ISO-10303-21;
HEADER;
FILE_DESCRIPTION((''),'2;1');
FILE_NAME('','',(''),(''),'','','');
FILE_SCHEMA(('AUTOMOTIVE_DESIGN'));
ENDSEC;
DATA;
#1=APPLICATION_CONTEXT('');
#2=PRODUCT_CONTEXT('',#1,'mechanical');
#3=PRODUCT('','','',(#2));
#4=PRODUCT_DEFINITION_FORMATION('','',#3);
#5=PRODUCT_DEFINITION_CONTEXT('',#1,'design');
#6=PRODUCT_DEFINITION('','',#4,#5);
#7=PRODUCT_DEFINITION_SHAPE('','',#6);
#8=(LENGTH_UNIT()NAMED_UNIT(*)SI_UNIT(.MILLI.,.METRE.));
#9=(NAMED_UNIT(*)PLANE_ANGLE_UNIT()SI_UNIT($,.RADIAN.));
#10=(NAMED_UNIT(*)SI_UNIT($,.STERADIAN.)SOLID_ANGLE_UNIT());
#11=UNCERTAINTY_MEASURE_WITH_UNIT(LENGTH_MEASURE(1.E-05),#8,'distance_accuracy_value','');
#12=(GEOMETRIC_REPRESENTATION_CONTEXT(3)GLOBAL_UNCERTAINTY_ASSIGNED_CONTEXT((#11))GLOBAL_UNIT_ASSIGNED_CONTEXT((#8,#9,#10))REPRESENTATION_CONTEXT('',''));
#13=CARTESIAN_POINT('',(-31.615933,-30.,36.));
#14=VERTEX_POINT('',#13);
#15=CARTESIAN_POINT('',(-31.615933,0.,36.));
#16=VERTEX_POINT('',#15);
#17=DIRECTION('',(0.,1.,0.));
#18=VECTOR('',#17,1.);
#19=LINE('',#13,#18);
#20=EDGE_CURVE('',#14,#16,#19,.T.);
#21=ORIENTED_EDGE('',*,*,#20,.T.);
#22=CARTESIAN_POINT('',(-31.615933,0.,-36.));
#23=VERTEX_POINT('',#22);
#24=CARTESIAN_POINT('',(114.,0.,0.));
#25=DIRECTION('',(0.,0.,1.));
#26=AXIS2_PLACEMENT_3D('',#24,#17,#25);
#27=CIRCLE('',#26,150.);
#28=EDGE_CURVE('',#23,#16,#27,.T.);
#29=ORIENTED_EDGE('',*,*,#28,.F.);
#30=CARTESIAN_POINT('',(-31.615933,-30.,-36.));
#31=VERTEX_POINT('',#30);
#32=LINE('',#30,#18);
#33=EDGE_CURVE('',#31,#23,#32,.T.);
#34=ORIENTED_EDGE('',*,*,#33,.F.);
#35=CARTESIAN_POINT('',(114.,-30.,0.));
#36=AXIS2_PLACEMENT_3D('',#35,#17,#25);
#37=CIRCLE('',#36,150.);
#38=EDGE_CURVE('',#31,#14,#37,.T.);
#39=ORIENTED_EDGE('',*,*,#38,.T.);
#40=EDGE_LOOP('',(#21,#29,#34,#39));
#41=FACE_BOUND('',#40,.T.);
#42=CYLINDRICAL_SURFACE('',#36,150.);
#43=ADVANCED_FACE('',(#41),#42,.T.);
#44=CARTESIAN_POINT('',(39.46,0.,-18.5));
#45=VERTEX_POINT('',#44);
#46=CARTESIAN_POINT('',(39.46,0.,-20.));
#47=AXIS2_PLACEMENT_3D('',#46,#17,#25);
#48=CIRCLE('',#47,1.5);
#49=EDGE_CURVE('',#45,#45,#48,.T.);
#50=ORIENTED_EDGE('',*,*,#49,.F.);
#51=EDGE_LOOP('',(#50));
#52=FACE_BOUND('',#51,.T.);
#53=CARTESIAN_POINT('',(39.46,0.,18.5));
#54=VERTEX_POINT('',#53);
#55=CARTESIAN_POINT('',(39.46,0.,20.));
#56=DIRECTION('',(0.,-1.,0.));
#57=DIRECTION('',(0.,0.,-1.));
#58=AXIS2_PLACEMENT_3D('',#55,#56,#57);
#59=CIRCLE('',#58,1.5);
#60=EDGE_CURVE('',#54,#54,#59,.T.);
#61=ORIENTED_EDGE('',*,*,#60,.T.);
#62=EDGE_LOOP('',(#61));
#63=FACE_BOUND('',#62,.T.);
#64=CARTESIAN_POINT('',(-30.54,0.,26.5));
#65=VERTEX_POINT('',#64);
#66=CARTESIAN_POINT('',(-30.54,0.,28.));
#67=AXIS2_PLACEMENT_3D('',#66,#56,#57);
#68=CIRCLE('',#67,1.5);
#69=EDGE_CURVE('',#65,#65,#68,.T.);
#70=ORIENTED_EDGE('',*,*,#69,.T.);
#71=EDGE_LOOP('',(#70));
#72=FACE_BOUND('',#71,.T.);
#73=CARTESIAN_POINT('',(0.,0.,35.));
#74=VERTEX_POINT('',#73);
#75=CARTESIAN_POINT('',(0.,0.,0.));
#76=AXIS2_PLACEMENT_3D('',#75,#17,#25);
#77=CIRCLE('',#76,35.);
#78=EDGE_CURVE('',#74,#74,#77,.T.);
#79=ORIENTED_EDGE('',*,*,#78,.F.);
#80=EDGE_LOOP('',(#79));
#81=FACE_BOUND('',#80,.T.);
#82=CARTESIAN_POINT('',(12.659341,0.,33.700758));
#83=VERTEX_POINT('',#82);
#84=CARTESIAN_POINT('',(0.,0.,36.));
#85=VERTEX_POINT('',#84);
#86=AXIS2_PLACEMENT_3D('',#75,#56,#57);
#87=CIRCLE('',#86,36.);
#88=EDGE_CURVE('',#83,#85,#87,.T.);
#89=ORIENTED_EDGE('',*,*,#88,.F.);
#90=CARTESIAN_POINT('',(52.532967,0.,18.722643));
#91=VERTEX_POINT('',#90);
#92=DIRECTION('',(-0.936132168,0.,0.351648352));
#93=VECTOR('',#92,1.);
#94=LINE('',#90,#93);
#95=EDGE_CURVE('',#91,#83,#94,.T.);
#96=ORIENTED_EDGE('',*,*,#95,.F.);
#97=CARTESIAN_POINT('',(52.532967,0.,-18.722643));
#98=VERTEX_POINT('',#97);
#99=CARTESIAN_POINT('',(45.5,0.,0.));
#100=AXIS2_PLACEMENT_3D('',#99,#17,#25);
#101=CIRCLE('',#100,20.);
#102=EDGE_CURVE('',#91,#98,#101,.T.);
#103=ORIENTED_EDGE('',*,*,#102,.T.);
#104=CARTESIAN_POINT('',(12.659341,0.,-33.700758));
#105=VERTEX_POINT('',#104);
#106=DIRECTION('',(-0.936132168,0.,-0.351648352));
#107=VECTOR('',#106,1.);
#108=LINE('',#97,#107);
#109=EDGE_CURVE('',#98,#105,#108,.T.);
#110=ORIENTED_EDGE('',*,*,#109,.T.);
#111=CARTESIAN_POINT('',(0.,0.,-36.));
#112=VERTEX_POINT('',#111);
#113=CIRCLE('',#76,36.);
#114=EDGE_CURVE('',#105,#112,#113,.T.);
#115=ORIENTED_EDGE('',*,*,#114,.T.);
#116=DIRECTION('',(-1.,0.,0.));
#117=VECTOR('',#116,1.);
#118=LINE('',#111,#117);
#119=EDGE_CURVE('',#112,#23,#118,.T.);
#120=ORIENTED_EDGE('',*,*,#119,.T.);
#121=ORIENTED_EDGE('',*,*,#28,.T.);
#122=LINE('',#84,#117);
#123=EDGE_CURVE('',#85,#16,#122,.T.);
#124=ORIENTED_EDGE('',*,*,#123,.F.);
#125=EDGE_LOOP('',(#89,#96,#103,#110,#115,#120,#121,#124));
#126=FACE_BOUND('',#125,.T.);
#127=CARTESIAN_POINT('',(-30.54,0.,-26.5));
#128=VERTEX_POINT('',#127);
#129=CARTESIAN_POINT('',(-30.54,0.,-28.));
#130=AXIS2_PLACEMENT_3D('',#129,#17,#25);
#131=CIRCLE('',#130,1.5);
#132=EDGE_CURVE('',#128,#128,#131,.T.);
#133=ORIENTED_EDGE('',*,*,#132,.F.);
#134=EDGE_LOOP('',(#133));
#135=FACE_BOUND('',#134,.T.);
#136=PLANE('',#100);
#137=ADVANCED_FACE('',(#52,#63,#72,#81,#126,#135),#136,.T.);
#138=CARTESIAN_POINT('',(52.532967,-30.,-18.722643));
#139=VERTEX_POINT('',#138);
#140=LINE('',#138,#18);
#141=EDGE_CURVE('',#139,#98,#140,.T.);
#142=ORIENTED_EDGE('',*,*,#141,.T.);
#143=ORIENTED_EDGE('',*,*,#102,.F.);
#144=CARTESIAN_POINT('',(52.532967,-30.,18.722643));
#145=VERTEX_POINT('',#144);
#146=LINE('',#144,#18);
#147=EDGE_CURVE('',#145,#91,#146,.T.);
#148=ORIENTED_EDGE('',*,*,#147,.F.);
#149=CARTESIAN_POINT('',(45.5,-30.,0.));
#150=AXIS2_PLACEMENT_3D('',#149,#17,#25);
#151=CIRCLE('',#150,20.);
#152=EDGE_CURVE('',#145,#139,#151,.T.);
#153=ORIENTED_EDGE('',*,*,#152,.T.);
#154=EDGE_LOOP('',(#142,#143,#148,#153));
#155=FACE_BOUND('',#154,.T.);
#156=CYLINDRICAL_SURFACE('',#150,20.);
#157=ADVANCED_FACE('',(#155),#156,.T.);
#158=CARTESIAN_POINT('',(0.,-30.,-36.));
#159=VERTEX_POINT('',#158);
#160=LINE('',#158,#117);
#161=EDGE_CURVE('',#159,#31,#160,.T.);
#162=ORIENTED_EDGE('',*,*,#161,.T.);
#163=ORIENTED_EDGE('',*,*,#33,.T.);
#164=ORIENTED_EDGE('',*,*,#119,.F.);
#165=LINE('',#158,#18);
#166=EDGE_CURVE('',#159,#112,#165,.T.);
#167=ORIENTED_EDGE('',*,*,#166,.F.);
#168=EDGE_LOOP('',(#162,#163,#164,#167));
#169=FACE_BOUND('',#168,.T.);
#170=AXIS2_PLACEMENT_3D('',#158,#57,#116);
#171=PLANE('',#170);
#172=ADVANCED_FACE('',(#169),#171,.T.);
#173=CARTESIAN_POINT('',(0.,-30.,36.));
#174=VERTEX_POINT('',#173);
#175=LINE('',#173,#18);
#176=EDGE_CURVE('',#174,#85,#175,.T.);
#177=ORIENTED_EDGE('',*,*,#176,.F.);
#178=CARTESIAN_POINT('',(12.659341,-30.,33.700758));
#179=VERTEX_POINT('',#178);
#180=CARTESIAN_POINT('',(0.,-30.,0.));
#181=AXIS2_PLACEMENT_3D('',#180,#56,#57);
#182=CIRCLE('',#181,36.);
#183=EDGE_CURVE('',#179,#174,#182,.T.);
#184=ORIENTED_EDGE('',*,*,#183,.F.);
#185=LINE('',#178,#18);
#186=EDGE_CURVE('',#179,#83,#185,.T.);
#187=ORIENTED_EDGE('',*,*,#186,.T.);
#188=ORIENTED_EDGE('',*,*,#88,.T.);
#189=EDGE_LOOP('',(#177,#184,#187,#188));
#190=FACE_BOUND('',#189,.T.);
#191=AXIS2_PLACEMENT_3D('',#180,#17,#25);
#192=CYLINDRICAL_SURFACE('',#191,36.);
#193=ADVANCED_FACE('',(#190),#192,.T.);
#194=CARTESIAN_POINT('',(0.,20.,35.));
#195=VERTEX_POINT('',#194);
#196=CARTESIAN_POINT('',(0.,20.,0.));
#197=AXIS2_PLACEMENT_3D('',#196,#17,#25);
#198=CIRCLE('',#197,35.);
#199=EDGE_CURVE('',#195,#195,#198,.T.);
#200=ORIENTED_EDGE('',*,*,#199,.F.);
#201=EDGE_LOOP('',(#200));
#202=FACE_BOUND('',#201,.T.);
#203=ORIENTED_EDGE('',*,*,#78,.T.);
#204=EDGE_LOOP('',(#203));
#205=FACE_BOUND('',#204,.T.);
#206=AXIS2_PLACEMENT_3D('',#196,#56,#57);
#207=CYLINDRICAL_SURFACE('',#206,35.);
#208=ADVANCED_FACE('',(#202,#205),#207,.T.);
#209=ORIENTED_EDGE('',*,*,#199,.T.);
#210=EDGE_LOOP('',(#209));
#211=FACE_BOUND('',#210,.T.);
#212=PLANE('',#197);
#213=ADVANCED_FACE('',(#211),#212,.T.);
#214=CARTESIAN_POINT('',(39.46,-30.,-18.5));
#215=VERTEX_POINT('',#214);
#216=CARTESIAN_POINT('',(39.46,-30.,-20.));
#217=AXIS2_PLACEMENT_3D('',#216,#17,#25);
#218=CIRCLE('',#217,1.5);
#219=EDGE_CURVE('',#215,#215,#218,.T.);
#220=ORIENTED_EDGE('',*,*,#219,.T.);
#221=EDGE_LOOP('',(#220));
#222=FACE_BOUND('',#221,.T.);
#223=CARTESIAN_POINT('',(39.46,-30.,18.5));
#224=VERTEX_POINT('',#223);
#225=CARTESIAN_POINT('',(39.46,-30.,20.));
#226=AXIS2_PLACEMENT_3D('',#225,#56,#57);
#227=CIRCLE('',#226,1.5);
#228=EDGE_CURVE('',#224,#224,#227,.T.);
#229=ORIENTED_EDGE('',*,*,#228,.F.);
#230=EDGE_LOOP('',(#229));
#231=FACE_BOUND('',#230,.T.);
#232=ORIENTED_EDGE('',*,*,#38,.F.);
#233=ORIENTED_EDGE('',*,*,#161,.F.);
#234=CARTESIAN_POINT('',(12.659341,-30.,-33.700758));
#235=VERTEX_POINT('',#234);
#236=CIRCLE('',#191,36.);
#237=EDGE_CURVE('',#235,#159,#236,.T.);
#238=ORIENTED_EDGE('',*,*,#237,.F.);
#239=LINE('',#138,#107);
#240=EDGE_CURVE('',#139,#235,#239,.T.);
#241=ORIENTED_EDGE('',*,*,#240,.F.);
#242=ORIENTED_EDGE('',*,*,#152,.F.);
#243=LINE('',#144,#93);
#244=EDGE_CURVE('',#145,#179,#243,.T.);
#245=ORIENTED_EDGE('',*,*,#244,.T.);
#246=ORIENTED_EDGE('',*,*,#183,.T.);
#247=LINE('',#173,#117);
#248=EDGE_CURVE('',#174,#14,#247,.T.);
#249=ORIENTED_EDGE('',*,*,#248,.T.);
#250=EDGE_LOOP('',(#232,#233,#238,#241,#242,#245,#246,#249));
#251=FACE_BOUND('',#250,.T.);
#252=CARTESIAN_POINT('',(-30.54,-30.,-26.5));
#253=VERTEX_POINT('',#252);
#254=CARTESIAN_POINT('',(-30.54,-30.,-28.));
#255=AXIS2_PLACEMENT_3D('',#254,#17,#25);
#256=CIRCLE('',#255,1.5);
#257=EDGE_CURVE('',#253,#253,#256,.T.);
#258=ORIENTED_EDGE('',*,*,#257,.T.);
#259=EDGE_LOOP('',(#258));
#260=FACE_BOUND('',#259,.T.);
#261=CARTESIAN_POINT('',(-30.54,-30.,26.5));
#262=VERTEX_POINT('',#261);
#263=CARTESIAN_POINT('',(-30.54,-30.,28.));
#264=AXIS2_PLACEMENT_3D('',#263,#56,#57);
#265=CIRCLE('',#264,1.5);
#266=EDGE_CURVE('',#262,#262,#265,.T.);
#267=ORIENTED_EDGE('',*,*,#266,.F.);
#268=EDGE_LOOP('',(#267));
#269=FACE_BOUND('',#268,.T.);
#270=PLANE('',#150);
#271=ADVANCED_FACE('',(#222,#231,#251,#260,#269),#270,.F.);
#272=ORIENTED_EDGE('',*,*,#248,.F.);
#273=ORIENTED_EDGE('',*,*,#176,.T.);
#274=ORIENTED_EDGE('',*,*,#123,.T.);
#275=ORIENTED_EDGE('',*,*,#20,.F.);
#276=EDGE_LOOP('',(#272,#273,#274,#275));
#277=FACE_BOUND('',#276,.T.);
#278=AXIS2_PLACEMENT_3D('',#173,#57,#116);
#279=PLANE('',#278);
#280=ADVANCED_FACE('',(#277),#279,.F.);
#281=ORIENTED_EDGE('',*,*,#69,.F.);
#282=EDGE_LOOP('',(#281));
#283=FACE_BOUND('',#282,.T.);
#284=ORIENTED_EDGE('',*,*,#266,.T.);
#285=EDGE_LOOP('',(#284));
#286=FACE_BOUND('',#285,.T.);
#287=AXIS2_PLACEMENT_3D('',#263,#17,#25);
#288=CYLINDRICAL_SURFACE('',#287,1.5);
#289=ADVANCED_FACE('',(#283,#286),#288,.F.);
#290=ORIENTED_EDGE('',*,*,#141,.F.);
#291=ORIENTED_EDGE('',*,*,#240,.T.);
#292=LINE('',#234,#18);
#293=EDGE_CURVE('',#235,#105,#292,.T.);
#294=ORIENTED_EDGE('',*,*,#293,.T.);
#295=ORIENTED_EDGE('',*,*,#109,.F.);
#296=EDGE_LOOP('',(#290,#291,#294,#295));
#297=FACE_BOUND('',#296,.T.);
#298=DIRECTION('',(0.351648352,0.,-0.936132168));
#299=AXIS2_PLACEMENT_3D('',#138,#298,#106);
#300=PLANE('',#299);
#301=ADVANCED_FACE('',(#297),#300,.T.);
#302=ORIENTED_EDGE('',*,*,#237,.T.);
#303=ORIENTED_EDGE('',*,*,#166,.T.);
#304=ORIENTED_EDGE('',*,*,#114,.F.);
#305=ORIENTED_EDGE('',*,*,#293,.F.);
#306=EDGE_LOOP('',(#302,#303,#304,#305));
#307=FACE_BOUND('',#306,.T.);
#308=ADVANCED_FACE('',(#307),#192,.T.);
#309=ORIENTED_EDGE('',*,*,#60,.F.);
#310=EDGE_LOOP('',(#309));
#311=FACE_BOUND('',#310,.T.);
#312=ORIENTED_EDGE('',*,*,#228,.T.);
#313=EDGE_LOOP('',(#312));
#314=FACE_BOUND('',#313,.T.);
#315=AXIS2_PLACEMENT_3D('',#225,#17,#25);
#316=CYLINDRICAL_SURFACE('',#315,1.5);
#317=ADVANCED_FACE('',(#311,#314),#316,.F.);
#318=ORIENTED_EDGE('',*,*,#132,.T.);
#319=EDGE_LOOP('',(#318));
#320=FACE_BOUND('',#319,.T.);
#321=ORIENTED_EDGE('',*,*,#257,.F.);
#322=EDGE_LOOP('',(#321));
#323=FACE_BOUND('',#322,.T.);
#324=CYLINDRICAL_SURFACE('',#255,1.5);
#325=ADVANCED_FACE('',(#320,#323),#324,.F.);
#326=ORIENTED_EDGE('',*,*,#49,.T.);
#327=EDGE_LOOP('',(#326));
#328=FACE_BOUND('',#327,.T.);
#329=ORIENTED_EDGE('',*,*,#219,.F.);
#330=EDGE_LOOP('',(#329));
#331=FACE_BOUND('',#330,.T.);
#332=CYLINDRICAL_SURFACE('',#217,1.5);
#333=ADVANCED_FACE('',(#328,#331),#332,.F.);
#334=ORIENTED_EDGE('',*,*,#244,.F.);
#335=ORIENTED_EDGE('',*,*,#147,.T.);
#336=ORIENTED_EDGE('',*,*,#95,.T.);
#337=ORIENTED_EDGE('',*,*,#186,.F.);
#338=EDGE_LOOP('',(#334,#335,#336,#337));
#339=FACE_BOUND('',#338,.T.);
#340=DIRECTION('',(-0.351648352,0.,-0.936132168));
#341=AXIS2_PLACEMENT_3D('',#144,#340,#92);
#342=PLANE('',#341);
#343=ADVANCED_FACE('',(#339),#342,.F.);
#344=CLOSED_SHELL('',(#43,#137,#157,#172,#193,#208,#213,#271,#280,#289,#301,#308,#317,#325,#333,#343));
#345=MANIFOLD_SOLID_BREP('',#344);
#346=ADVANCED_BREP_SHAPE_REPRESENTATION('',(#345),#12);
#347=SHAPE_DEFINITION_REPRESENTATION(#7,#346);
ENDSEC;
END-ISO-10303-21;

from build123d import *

# Parameters (mm, degrees)
SKETCH_1_R          = 35
EXTRUDE_1_DEPTH     = 20
EXTRUDE_2_DEPTH     = 30
SKETCH_4_R          = 1.5
CUT_EXTRUDE_1_DEPTH = 81.537258458


with BuildPart() as part:
    # 草图1 → 凸台-拉伸1 (new body)
    with BuildSketch(Plane(origin=(0, 0, 0), x_dir=(1, 0, 0), z_dir=(0, 1, 0))):
        with Locations(Location((0, 0, 0), (0, 0, 270))):
            Circle(SKETCH_1_R)
    extrude(amount=EXTRUDE_1_DEPTH)

    # 草图2 → 凸台-拉伸2 (add)
    with BuildSketch(Plane(origin=(0, 0, 0), x_dir=(1, 0, 0), z_dir=(0, 1, 0))):
        with BuildLine():
            Line((52.532967033, 18.722643369), (12.659340659, 33.700758064))
            ThreePointArc((12.659340659, 33.700758064), (6.433222742, 35.42052576), (0, 36))
            Line((0, 36), (-31.615933194, 36))
            ThreePointArc((-31.615933194, 36), (-34.899949596, 18.132981289), (-36, 0))
            Line((-36, 0), (65.5, 0))
            ThreePointArc((65.5, 0), (61.941705214, 11.387288074), (52.532967033, 18.722643369))
        make_face()
    extrude_2 = extrude(amount=-EXTRUDE_2_DEPTH)

    # 镜向1: 凸台-拉伸2 across plane
    add(extrude_2.mirror(Plane(origin=(-36, -30, 0), x_dir=(1, 0, 0), z_dir=(0, 0, 1))))

    # 草图4 → 切除-拉伸1 (cut, through all)
    with BuildSketch(Plane(origin=(0, 0, 0), x_dir=(1, 0, 0), z_dir=(0, 1, 0))):
        with Locations(Location((-30.54, 28, 0), (0, 0, 270))):
            Circle(SKETCH_4_R)
        with Locations(Location((39.46, 20, 0), (0, 0, 270))):
            Circle(SKETCH_4_R)
    cut_extrude_1 = extrude(amount=-CUT_EXTRUDE_1_DEPTH, mode=Mode.SUBTRACT)

    # 镜向2: 切除-拉伸1 across plane
    add(cut_extrude_1.mirror(Plane.XY), mode=Mode.SUBTRACT)


solid = part.part
